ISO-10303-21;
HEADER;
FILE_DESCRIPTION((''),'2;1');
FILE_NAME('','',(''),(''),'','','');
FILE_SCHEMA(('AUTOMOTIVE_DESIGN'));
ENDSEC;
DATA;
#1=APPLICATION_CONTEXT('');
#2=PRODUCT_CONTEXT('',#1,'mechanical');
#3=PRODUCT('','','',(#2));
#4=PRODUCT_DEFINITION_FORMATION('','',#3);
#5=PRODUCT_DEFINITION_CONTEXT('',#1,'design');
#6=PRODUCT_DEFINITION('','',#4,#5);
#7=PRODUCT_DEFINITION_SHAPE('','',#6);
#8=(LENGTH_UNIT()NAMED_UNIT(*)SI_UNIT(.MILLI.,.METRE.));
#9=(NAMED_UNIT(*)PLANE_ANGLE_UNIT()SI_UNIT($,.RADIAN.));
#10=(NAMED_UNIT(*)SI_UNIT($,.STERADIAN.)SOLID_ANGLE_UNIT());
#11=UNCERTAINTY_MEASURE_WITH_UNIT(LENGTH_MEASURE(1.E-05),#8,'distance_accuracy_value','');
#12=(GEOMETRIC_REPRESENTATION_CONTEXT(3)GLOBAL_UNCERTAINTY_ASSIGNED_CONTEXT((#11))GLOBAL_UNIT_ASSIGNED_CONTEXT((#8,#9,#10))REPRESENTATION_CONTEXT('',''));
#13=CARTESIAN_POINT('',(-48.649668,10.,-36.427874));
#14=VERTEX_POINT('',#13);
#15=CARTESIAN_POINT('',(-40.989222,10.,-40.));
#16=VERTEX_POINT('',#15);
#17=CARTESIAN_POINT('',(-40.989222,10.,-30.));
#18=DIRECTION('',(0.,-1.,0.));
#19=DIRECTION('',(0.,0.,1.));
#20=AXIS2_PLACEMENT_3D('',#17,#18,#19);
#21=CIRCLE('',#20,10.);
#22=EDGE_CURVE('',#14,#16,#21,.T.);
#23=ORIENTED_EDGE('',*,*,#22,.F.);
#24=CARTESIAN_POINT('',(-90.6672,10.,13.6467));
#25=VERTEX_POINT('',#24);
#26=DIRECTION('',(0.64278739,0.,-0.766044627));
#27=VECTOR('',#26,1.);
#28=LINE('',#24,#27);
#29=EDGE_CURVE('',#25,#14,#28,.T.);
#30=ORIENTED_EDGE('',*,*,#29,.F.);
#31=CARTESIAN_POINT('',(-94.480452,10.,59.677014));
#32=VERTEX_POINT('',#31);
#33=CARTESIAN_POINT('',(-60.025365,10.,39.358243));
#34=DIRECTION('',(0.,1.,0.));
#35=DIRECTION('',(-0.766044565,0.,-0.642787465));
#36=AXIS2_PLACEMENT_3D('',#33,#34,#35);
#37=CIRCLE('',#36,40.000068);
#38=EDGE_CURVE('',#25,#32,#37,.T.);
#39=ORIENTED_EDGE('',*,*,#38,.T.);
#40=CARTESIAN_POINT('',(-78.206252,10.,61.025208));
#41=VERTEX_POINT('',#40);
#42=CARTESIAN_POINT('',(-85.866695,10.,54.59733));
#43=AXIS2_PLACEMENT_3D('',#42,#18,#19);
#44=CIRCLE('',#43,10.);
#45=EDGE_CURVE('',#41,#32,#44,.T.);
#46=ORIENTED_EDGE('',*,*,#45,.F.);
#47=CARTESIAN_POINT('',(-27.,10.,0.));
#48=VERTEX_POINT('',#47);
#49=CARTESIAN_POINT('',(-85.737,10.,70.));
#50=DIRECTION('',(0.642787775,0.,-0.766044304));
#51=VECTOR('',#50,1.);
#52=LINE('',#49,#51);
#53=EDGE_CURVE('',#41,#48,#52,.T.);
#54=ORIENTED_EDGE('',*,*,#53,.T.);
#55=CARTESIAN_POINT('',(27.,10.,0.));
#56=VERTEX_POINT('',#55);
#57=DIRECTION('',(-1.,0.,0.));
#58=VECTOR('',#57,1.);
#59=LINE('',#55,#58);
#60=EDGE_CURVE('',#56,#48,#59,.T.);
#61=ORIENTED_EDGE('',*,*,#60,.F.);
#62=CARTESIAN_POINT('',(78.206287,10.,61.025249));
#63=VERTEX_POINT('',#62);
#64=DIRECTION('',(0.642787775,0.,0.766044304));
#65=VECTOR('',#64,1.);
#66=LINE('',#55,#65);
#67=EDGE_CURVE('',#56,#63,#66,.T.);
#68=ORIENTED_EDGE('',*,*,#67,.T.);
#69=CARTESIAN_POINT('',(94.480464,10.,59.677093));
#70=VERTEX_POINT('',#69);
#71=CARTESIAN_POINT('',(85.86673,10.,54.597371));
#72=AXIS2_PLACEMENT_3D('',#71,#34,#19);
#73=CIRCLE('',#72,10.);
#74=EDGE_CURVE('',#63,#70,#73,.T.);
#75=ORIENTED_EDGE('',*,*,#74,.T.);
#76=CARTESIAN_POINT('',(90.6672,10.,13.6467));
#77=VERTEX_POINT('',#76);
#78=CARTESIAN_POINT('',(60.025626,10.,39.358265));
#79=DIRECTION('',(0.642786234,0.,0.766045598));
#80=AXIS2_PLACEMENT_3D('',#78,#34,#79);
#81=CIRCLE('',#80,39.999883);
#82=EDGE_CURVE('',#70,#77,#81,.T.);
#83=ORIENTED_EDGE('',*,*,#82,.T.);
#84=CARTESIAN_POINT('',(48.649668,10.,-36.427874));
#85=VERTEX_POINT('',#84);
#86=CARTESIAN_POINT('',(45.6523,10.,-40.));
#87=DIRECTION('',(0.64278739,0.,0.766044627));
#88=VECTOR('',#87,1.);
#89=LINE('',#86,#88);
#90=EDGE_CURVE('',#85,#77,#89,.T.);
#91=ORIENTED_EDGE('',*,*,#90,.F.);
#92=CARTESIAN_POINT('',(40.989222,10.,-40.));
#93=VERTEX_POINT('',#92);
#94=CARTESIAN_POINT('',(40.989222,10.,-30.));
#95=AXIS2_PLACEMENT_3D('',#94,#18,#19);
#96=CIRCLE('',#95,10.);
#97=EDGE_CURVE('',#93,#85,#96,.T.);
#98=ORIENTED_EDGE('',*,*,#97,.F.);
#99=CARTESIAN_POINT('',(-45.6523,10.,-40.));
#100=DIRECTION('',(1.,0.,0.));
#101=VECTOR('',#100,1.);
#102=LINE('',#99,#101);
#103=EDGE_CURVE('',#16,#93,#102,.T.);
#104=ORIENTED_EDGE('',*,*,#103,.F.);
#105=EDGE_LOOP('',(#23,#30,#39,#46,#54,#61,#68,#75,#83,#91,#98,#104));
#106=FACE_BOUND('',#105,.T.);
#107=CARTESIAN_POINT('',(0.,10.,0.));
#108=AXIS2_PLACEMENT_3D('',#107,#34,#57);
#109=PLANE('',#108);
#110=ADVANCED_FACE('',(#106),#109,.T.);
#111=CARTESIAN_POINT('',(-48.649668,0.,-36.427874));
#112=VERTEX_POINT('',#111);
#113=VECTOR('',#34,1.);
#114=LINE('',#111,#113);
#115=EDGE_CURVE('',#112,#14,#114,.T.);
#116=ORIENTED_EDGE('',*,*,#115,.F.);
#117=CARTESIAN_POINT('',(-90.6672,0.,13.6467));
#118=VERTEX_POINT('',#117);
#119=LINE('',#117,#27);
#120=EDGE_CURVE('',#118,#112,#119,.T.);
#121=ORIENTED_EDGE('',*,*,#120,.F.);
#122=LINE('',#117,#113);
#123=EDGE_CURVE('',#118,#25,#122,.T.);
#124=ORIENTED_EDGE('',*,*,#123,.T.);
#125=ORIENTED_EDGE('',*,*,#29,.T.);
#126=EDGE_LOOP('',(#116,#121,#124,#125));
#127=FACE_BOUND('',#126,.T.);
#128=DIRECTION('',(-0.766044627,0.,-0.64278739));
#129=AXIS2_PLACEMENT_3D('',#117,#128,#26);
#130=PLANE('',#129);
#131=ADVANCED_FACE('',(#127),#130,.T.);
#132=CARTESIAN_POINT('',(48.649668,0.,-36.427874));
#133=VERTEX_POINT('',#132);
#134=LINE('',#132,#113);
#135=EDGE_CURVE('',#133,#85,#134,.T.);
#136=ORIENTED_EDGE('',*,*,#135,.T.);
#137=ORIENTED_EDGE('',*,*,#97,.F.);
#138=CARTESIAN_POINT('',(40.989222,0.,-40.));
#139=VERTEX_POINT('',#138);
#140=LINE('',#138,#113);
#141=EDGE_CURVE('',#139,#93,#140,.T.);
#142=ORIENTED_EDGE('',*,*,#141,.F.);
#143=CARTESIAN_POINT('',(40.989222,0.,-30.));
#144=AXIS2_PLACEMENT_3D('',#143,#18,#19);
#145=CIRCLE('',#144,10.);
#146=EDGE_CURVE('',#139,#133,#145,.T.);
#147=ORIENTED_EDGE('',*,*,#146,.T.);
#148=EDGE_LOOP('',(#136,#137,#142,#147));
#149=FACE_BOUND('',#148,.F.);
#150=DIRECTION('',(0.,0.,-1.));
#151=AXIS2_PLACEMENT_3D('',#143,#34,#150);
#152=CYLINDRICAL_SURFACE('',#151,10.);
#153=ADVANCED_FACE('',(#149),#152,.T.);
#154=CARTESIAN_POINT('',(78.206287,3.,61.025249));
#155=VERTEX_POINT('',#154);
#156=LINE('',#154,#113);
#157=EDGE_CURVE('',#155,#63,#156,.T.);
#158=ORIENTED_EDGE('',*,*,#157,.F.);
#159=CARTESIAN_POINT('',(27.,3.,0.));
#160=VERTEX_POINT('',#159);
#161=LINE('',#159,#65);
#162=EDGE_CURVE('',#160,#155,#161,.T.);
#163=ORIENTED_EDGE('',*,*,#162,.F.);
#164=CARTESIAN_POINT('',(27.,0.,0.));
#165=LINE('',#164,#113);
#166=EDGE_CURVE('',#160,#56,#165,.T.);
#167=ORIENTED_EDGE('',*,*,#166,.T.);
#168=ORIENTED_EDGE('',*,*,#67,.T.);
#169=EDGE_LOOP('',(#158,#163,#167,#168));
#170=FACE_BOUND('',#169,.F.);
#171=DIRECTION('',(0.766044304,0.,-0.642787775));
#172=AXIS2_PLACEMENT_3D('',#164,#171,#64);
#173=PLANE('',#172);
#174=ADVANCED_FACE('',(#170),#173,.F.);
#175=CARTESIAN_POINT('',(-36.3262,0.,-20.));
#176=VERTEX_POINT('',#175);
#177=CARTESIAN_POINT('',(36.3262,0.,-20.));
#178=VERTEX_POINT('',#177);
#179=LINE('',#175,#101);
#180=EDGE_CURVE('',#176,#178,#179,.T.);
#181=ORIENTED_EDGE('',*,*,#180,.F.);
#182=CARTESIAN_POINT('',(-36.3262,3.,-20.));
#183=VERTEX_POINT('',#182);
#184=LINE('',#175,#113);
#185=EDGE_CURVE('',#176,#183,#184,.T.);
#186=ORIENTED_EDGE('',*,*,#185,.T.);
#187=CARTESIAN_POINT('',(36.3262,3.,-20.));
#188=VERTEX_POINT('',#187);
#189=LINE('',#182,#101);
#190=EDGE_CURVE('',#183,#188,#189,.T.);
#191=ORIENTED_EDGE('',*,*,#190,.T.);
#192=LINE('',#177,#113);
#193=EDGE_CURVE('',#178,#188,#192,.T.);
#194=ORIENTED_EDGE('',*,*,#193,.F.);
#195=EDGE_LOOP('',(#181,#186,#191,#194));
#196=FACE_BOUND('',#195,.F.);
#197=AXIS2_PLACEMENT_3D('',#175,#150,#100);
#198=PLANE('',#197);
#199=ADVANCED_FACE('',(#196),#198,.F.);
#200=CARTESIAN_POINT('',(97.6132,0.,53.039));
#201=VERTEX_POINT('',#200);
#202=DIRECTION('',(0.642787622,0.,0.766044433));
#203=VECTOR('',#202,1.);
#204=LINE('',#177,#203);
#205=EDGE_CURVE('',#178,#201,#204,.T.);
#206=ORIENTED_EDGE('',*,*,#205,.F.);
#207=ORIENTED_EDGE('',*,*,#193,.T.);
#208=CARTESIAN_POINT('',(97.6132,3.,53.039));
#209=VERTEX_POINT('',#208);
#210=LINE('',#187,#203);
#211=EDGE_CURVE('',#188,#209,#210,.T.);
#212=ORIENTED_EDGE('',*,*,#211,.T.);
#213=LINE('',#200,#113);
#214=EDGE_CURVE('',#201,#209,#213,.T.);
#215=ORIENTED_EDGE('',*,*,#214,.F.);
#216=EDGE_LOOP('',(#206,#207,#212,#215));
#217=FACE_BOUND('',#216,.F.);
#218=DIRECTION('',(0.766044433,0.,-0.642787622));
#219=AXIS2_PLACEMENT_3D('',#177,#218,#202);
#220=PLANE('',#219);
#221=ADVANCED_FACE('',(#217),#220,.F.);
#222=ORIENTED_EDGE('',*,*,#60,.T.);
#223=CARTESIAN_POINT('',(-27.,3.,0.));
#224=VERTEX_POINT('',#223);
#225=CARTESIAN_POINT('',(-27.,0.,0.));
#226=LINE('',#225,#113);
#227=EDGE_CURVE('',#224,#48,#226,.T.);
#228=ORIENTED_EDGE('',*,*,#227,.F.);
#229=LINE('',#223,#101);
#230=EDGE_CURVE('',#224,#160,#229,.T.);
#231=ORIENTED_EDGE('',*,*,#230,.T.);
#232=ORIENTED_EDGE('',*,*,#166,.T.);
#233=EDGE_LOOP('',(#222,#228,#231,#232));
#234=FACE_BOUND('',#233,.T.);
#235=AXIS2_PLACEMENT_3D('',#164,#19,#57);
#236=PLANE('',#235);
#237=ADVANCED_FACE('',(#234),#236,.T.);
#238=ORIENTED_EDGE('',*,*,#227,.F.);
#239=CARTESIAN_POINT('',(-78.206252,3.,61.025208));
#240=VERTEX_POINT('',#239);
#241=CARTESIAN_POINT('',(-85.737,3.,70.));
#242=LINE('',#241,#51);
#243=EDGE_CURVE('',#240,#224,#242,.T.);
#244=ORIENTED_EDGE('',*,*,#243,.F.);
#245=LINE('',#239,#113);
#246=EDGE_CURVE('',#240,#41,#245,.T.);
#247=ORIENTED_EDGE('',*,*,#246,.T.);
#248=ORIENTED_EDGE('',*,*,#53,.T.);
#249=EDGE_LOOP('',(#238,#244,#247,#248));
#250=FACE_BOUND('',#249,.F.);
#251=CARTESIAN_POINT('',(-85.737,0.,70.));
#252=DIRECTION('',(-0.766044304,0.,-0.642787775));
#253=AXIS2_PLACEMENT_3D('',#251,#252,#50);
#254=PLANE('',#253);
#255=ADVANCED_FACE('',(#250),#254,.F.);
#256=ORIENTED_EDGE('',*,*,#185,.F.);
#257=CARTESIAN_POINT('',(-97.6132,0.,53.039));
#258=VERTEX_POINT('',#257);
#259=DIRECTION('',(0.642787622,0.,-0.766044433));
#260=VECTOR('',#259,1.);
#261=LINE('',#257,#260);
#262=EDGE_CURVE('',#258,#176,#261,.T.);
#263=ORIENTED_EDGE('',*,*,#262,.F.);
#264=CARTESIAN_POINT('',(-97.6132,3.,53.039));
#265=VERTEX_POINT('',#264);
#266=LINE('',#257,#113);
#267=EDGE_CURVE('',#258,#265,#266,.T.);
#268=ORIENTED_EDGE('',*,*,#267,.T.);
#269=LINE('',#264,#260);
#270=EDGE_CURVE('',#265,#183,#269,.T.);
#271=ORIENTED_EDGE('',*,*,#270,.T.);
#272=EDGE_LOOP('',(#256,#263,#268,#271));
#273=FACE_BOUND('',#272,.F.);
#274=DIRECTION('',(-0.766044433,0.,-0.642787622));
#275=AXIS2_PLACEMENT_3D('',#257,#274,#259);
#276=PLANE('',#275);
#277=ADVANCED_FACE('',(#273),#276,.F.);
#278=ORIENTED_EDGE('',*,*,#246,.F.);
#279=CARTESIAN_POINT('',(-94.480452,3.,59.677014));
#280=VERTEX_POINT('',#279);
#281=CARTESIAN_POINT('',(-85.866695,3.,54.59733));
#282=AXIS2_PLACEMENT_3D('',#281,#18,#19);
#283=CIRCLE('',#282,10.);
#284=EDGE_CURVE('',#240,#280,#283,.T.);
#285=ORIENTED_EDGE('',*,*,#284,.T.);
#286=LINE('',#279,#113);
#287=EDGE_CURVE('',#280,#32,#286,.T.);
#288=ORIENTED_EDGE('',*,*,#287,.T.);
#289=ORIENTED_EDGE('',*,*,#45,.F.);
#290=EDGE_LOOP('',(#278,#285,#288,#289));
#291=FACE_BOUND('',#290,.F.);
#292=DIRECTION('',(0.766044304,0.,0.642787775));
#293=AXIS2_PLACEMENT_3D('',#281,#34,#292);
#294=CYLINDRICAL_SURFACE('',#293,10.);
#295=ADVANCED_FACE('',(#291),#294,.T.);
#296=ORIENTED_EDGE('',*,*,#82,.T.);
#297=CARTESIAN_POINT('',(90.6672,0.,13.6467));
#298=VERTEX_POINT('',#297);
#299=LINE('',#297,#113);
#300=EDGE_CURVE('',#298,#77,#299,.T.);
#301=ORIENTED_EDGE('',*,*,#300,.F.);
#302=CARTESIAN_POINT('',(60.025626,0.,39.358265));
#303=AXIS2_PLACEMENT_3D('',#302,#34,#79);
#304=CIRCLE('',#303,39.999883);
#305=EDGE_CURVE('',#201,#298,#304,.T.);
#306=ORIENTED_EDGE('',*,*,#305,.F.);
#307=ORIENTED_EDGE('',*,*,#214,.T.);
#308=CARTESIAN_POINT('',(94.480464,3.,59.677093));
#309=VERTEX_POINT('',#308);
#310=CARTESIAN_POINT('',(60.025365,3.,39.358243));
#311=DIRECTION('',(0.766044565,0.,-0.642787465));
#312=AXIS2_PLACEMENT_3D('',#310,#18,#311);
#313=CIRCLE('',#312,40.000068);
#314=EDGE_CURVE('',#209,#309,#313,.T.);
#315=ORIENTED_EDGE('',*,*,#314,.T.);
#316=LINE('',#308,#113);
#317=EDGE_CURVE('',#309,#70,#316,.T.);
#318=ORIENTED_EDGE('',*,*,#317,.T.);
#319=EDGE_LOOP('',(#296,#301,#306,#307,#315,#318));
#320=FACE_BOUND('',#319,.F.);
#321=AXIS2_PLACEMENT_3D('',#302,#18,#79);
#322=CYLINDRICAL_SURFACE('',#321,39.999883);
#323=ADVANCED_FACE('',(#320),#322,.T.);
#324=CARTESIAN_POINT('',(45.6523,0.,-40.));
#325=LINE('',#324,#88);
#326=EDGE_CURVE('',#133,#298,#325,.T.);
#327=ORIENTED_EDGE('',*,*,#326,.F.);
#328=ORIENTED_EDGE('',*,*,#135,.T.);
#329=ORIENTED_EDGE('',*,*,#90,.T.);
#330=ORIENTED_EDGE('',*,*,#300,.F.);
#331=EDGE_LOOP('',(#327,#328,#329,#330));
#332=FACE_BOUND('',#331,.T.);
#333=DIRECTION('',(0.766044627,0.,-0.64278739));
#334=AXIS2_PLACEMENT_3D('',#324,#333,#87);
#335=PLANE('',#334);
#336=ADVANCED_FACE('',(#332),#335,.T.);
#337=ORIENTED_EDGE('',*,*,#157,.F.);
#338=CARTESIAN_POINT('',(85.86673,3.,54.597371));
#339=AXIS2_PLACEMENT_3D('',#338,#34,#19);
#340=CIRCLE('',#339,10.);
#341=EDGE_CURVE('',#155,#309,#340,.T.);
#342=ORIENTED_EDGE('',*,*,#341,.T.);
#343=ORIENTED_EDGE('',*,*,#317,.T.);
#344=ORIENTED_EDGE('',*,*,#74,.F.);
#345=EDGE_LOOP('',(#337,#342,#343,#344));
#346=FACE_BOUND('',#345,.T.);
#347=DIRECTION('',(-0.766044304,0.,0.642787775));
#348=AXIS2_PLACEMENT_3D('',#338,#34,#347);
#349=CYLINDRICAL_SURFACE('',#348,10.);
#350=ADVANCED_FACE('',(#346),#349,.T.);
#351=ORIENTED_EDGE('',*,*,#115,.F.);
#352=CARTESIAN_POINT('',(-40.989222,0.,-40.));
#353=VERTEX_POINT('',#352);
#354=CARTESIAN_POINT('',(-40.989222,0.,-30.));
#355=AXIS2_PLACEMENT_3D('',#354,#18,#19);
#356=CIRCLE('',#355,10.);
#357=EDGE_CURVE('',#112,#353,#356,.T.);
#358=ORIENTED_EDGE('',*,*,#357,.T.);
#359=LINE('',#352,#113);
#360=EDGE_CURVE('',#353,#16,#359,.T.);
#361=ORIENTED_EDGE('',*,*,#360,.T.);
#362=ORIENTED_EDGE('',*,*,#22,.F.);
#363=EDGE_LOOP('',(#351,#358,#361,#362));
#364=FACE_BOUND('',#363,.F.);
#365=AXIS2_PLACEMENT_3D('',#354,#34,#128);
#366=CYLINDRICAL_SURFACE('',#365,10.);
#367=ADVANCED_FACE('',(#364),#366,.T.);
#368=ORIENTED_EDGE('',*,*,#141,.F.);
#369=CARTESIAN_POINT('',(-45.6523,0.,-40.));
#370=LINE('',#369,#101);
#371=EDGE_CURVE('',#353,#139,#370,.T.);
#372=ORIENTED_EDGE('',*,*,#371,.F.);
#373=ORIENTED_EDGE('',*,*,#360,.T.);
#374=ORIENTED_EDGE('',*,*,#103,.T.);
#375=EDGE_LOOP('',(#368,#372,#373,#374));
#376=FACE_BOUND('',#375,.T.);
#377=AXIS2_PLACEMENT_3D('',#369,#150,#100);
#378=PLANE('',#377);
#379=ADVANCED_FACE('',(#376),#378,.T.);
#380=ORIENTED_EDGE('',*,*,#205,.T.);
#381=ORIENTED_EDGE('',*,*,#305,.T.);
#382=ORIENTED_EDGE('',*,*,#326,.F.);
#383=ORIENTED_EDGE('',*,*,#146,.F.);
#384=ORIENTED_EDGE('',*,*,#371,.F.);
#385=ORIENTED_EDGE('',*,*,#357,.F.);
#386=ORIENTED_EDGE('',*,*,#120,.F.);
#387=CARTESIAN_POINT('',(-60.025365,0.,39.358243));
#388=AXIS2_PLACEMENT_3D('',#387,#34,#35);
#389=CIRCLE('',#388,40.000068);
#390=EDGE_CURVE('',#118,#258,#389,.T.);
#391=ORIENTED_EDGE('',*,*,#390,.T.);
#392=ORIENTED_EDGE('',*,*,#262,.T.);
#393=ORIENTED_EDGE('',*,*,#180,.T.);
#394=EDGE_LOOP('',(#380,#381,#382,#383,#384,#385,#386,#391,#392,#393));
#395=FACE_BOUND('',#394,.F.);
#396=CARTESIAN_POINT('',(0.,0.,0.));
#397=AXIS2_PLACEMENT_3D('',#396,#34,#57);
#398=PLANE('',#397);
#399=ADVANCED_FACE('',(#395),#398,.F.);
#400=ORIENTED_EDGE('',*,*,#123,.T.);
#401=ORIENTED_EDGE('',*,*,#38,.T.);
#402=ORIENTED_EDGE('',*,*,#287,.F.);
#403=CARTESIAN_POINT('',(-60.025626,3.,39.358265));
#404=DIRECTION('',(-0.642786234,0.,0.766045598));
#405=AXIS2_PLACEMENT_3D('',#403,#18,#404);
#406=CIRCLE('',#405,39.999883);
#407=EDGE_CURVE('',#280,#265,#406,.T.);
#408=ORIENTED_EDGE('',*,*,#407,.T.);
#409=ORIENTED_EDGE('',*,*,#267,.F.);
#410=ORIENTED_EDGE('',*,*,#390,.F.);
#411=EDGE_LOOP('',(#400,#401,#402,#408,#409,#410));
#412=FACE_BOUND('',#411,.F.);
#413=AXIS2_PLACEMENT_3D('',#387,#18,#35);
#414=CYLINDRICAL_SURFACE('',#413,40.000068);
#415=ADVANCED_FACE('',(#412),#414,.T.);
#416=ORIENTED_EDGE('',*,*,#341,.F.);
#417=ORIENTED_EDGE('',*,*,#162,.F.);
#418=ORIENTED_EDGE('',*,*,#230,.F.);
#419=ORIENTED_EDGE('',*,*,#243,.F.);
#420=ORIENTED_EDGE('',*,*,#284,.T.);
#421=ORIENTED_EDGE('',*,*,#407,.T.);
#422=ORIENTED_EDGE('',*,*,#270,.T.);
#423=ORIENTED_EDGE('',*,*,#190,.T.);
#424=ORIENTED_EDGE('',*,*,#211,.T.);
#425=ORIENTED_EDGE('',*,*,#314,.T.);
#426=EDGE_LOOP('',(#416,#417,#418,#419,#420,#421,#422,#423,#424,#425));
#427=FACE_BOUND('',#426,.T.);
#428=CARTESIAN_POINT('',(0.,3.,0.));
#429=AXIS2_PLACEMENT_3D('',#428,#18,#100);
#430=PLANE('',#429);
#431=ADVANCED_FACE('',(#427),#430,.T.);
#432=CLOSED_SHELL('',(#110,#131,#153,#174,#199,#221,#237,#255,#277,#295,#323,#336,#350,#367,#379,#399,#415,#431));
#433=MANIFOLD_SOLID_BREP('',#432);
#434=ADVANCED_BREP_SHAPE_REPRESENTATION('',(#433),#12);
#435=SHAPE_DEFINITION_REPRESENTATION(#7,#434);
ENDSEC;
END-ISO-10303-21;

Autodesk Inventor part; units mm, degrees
ref_plane "YZ Plane" through (0, 0, 0) normal (1, 0, 0) x (0, 1, 0)
ref_plane "XZ Plane" through (0, 0, 0) normal (0, 1, 0) x (-1, 0, 0)
ref_plane "XY Plane" through (0, 0, 0) normal (0, 0, 1) x (1, 0, 0)
sketch "Sketch1" plane through (0, 0, 0) normal (0, 1, 0) x (-1, 0, 0)
  line L0 (-27, 0) -> (27, 0)
  line L1 (-27, 0) -> (-85.737, 70)
  line L2 (85.737, 70) -> (27, 0)
  line L3 (90.6672, 13.6467) -> (45.6523, -40)
  line L4 (45.6523, -40) -> (-45.6523, -40)
  line L5 (-45.6523, -40) -> (-90.6672, 13.6467)
  line L6 (0, 0) -> (0, -40) construction
  arc A0 (90.6672, 13.6467) -> (85.737, 70) centre (60.0255, 39.3582) ccw
  arc A1 (-85.737, 70) -> (-90.6672, 13.6467) centre (-60.0255, 39.3582) ccw
  point P0 (0, 70)
  dimension "d1" = 54
  dimension "d3" = 40
  dimension "d5" = 40
  dimension "d16" = 130
  dimension "d17" = 70
extrude "Extrusion1" add sketch "Sketch1" along normal blind 10
sketch "Sketch2" plane through (0, 0, 0) normal (0, -1, 0) x (1, 0, 0)
  line L0 (-27, 0) -> (27, 0) projected
  line L1 (-85.737, 70) -> (-27, 0) projected
  line L2 (-45.6523, -40) -> (-90.6672, 13.6467) construction
  line L3 (45.6523, -40) -> (-45.6523, -40) construction
  line L4 (90.6672, 13.6467) -> (45.6523, -40) construction
  line L5 (27, 0) -> (85.737, 70) projected
  line L6 (-97.6132, 53.039) -> (-36.3262, -20)
  line L7 (-36.3262, -20) -> (36.3262, -20)
  line L8 (36.3262, -20) -> (97.6132, 53.039)
  line L9 (-85.737, 70) -> (-27, 0) projected
  line L10 (27, 0) -> (85.737, 70) projected
  arc A0 (-85.737, 70) -> (-90.6672, 13.6467) centre (-60.0255, 39.3582) ccw projected
  arc A1 (90.6672, 13.6467) -> (85.737, 70) centre (60.0255, 39.3582) ccw projected
  point P0 (0, 0)
  dimension "d8" = 20
  dimension "d9" = 20
  dimension "d10" = 20
extrude "Extrusion2" cut sketch "Sketch2" against normal blind 3
fillet "Fillet1" radius 10 4 edges at (-85.737, 6.5, 70) (85.737, 6.5, 70) (-45.6523, 5, -40) (45.6523, 5, -40)
equation "\"d5\" = d3"
equation "\"d16\" = Лоток_угол"
equation "\"d9\" = d8"
equation "\"d10\" = d8"
equation "\"Лоток_угол\" = 130deg"
properties part number "ДМС 045 держатель лотка"
